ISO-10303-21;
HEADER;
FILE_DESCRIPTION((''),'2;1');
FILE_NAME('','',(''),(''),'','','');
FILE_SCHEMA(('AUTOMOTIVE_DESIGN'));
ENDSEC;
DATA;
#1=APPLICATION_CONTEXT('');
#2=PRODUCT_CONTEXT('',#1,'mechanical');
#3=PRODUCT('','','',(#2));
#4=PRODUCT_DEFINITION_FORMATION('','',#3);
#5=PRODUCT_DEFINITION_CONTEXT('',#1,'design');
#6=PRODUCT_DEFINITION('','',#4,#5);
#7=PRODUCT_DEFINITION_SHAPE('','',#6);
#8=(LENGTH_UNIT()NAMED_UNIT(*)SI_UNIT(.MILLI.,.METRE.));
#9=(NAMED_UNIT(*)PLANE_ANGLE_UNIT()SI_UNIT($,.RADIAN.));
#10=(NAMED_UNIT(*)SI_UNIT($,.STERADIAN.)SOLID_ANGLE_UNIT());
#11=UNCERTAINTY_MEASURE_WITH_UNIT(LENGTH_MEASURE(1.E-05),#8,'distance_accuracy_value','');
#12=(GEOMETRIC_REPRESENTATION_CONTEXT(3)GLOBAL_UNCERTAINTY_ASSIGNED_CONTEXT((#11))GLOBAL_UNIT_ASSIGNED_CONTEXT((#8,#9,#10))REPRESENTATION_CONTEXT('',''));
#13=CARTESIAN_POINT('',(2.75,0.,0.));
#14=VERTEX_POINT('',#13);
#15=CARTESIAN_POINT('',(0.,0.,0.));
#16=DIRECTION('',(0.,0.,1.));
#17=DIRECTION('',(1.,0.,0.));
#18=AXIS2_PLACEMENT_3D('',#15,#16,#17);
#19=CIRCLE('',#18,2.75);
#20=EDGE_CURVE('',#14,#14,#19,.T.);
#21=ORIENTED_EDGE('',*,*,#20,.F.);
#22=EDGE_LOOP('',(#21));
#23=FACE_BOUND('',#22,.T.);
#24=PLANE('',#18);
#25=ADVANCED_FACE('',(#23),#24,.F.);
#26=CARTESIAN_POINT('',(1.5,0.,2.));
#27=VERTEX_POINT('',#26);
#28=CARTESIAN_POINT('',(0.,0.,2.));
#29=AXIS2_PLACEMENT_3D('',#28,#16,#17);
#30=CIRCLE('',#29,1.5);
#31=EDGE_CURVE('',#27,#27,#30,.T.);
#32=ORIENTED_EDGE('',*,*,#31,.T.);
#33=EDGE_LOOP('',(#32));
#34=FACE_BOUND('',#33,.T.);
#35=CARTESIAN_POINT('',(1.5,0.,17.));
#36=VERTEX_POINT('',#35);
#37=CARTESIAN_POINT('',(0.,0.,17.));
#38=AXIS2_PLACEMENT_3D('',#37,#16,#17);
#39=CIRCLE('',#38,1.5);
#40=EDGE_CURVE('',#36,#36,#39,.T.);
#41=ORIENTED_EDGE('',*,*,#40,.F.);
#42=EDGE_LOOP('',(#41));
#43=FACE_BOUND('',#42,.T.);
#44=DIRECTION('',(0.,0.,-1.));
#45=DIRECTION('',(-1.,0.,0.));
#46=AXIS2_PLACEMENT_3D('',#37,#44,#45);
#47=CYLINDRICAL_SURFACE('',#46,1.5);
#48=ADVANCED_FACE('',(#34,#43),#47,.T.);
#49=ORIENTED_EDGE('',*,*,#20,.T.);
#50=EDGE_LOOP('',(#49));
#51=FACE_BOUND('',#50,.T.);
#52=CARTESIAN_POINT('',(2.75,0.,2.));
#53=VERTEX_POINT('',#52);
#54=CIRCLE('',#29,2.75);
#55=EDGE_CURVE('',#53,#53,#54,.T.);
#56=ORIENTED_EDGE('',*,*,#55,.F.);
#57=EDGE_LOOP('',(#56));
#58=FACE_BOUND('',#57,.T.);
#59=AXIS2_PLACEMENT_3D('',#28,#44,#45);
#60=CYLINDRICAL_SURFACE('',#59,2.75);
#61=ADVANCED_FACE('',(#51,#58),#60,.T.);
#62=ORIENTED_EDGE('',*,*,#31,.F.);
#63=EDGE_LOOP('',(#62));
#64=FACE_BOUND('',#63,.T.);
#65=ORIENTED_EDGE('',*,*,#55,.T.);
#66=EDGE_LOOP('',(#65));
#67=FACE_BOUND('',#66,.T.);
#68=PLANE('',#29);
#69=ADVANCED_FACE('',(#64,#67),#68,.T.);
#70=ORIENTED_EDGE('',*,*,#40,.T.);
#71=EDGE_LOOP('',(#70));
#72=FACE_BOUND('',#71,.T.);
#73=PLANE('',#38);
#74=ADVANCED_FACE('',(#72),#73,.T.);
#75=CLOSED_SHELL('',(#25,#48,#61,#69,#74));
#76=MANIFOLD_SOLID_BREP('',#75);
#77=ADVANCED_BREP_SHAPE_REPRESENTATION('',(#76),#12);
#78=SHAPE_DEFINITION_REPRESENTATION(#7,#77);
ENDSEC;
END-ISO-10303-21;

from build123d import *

# Parameters (mm, degrees)
ESQUISSE1_R        = 2.75
BOSS_EXTRU_1_DEPTH = 2
ESQUISSE2_R        = 1.5
BOSS_EXTRU_2_DEPTH = 15


with BuildPart() as part:
    # Esquisse1 → Boss.-Extru.1 (new body)
    with BuildSketch(Plane.XY):
        Circle(ESQUISSE1_R)
    extrude(amount=BOSS_EXTRU_1_DEPTH)

    # Esquisse2 → Boss.-Extru.2 (add)
    with BuildSketch(Plane.XY.offset(2)):
        Circle(ESQUISSE2_R)
    extrude(amount=BOSS_EXTRU_2_DEPTH)


solid = part.part
